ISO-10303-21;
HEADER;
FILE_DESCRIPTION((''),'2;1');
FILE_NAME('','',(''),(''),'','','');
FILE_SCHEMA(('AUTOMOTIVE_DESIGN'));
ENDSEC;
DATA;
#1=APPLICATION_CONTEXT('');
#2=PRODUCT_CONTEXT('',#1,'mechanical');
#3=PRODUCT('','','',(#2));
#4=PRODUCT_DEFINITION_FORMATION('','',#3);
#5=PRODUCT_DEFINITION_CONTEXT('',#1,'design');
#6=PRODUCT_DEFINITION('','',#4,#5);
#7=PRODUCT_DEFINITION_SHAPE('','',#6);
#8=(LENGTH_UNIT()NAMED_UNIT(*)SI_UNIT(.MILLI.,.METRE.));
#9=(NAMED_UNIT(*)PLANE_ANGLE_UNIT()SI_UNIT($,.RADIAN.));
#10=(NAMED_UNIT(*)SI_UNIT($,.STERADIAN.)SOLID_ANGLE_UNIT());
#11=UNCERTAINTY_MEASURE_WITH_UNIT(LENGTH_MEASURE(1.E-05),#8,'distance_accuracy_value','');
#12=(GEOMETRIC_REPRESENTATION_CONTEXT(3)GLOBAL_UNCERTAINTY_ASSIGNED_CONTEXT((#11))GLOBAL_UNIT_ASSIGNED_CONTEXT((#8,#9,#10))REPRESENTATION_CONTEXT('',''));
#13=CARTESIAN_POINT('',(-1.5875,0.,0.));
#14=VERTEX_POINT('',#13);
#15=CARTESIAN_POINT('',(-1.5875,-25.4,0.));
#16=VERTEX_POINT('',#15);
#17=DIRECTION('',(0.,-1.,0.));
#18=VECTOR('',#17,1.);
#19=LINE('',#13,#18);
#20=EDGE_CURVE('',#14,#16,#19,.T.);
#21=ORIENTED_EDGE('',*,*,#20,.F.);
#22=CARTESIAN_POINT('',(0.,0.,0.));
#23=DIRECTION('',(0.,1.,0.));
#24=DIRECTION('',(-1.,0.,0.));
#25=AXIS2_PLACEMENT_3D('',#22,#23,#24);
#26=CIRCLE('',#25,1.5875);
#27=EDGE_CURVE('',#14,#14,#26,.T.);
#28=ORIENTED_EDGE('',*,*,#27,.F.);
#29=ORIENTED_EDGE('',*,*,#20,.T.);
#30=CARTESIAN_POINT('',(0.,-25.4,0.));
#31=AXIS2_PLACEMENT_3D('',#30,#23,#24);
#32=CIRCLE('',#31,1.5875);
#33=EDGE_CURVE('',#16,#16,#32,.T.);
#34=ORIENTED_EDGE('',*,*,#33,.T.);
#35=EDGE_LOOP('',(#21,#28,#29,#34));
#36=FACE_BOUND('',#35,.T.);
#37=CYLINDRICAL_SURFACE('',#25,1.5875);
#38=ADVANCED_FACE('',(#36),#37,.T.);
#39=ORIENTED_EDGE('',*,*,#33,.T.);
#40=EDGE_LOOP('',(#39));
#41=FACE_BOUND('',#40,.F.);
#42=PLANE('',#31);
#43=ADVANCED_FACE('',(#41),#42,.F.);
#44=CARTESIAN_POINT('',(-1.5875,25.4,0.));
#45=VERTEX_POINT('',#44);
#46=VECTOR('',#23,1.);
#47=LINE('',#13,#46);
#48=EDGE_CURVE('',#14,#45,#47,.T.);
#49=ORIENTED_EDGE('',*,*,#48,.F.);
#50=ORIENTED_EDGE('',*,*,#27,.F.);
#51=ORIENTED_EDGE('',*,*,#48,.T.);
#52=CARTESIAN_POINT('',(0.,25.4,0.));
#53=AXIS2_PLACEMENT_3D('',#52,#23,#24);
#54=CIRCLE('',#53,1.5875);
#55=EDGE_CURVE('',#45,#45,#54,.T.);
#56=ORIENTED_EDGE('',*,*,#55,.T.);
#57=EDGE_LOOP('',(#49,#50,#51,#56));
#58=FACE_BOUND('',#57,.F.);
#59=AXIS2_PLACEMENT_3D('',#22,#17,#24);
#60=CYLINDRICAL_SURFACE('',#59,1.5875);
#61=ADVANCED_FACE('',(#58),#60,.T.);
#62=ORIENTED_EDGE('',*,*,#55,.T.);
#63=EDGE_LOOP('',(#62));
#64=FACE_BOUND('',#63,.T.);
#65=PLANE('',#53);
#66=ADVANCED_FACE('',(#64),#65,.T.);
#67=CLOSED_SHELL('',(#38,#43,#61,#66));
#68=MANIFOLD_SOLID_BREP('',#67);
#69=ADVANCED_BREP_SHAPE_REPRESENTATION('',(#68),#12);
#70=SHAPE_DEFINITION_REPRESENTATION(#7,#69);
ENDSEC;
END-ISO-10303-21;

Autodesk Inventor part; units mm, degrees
ref_plane "YZ Plane" through (0, 0, 0) normal (1, 0, 0) x (0, 1, 0)
ref_plane "XZ Plane" through (0, 0, 0) normal (0, 1, 0) x (-1, 0, 0)
ref_plane "XY Plane" through (0, 0, 0) normal (0, 0, 1) x (1, 0, 0)
sketch "Sketch1" plane through (0, 0, 0) normal (0, 1, 0) x (-1, 0, 0)
  circle A0 centre (0, 0) radius 1.5875
  dimension "d0" = 3.175
extrude "Extrusion1" add sketch "Sketch1" along normal mid plane 50.8
equation "\"d0\" = roller_shaft_d"
equation "\"d1\" = roller_shaft_l"
equation "\"roller_shaft_d\" = 3.175"
equation "\"roller_shaft_l\" = 50.8"
properties part number "roller_shaft"
